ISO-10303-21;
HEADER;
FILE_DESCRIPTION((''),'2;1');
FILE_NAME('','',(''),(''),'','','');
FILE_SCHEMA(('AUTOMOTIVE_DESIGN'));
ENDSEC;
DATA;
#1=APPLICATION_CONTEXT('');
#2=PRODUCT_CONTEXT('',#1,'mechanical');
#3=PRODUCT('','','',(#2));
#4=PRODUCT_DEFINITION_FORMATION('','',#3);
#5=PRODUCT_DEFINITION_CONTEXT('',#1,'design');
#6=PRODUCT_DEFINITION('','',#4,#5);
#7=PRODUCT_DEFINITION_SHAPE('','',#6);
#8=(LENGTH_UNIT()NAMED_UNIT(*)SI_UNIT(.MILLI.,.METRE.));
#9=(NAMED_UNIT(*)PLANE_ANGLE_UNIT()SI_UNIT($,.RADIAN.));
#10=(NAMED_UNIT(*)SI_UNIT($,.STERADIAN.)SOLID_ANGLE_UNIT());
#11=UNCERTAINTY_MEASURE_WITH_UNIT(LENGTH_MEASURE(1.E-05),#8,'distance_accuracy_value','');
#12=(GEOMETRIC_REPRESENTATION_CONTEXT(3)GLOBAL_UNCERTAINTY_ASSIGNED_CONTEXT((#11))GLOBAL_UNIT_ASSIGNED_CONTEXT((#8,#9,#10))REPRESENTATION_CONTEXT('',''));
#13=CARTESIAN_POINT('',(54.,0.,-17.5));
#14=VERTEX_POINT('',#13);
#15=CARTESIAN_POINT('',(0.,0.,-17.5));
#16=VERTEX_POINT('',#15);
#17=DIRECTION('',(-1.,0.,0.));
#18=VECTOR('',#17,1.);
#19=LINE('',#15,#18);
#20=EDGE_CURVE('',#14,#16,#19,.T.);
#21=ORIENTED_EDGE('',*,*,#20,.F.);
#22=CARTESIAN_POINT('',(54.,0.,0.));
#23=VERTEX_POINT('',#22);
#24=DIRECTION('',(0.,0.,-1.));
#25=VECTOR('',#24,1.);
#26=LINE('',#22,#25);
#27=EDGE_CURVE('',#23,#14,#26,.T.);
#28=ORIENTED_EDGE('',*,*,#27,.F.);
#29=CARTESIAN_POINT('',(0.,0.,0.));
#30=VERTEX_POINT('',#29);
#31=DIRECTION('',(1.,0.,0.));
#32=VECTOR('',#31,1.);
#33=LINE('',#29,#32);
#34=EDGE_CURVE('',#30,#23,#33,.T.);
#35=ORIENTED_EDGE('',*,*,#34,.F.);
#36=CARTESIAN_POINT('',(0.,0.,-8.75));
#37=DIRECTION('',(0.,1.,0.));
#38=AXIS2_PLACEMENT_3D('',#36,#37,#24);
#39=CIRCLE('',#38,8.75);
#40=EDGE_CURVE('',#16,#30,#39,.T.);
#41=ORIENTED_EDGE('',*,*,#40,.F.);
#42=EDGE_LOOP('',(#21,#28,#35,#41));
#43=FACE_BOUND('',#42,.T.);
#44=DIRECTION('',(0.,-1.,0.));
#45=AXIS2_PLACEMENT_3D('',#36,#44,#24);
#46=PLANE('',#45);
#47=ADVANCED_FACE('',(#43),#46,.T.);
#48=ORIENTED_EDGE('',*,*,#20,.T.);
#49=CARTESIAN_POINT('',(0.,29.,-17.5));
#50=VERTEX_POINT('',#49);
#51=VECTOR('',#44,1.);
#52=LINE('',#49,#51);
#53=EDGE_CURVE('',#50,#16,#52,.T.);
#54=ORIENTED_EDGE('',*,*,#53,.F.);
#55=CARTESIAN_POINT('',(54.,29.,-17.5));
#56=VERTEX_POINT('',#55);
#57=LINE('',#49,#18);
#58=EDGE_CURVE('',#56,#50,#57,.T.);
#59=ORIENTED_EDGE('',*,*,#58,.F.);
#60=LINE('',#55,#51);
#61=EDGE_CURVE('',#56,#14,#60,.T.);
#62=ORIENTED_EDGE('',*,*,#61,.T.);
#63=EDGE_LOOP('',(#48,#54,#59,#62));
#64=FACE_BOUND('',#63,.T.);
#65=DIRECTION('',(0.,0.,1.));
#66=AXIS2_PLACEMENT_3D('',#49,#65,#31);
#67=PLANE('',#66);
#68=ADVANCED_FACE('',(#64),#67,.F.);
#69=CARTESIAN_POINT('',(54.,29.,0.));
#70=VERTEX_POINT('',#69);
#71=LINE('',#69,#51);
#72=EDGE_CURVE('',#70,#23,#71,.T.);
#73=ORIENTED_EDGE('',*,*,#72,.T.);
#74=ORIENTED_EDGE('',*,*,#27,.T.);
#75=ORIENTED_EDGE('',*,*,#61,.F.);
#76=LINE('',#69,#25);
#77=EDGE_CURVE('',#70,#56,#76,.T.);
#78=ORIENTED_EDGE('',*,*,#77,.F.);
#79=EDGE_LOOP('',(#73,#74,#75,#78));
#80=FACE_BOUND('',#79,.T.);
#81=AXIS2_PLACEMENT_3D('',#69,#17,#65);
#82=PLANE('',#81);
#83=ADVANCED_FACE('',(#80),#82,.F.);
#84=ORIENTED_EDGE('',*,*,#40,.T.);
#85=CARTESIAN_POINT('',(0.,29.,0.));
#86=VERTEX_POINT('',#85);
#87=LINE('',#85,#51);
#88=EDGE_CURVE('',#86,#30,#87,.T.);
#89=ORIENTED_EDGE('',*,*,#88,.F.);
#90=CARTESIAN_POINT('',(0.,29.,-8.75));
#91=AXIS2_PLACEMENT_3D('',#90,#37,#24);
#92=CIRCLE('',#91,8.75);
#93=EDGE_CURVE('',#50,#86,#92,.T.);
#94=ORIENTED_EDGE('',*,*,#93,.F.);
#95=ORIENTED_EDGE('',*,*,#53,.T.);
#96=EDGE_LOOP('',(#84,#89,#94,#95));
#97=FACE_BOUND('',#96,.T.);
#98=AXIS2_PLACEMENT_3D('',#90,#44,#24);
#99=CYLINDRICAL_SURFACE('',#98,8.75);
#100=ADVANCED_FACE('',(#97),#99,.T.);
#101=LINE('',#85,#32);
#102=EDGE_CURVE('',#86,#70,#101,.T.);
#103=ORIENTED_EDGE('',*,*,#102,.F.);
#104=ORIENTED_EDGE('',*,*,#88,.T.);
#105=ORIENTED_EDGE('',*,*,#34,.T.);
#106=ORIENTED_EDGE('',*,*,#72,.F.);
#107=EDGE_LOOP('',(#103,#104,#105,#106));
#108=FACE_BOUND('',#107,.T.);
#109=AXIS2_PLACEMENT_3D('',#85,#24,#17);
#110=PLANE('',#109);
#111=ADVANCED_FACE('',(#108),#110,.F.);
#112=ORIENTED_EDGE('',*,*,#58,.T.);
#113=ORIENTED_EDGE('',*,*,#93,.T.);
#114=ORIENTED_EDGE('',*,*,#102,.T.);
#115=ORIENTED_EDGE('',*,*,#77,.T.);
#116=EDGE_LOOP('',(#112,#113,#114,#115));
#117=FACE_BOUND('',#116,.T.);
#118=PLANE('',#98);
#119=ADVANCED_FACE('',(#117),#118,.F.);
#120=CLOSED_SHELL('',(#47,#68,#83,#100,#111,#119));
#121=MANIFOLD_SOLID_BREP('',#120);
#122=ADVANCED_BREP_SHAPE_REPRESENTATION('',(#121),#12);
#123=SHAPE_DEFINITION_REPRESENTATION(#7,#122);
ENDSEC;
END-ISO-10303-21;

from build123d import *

# Parameters (mm, degrees)
BOSS_EXTRUDE1_DEPTH = 29


with BuildPart() as part:
    # Sketch1 → Boss-Extrude1 (new body)
    with BuildSketch(Plane(origin=(0, 0, 0), x_dir=(1, 0, 0), z_dir=(0, 1, 0))):
        with BuildLine():
            Line((0, 0), (54, 0))
            Line((54, 0), (54, 17.5))
            Line((54, 17.5), (0, 17.5))
            ThreePointArc((0, 17.5), (-8.75, 8.75), (0, 0))
        make_face()
    extrude(amount=BOSS_EXTRUDE1_DEPTH)


solid = part.part
